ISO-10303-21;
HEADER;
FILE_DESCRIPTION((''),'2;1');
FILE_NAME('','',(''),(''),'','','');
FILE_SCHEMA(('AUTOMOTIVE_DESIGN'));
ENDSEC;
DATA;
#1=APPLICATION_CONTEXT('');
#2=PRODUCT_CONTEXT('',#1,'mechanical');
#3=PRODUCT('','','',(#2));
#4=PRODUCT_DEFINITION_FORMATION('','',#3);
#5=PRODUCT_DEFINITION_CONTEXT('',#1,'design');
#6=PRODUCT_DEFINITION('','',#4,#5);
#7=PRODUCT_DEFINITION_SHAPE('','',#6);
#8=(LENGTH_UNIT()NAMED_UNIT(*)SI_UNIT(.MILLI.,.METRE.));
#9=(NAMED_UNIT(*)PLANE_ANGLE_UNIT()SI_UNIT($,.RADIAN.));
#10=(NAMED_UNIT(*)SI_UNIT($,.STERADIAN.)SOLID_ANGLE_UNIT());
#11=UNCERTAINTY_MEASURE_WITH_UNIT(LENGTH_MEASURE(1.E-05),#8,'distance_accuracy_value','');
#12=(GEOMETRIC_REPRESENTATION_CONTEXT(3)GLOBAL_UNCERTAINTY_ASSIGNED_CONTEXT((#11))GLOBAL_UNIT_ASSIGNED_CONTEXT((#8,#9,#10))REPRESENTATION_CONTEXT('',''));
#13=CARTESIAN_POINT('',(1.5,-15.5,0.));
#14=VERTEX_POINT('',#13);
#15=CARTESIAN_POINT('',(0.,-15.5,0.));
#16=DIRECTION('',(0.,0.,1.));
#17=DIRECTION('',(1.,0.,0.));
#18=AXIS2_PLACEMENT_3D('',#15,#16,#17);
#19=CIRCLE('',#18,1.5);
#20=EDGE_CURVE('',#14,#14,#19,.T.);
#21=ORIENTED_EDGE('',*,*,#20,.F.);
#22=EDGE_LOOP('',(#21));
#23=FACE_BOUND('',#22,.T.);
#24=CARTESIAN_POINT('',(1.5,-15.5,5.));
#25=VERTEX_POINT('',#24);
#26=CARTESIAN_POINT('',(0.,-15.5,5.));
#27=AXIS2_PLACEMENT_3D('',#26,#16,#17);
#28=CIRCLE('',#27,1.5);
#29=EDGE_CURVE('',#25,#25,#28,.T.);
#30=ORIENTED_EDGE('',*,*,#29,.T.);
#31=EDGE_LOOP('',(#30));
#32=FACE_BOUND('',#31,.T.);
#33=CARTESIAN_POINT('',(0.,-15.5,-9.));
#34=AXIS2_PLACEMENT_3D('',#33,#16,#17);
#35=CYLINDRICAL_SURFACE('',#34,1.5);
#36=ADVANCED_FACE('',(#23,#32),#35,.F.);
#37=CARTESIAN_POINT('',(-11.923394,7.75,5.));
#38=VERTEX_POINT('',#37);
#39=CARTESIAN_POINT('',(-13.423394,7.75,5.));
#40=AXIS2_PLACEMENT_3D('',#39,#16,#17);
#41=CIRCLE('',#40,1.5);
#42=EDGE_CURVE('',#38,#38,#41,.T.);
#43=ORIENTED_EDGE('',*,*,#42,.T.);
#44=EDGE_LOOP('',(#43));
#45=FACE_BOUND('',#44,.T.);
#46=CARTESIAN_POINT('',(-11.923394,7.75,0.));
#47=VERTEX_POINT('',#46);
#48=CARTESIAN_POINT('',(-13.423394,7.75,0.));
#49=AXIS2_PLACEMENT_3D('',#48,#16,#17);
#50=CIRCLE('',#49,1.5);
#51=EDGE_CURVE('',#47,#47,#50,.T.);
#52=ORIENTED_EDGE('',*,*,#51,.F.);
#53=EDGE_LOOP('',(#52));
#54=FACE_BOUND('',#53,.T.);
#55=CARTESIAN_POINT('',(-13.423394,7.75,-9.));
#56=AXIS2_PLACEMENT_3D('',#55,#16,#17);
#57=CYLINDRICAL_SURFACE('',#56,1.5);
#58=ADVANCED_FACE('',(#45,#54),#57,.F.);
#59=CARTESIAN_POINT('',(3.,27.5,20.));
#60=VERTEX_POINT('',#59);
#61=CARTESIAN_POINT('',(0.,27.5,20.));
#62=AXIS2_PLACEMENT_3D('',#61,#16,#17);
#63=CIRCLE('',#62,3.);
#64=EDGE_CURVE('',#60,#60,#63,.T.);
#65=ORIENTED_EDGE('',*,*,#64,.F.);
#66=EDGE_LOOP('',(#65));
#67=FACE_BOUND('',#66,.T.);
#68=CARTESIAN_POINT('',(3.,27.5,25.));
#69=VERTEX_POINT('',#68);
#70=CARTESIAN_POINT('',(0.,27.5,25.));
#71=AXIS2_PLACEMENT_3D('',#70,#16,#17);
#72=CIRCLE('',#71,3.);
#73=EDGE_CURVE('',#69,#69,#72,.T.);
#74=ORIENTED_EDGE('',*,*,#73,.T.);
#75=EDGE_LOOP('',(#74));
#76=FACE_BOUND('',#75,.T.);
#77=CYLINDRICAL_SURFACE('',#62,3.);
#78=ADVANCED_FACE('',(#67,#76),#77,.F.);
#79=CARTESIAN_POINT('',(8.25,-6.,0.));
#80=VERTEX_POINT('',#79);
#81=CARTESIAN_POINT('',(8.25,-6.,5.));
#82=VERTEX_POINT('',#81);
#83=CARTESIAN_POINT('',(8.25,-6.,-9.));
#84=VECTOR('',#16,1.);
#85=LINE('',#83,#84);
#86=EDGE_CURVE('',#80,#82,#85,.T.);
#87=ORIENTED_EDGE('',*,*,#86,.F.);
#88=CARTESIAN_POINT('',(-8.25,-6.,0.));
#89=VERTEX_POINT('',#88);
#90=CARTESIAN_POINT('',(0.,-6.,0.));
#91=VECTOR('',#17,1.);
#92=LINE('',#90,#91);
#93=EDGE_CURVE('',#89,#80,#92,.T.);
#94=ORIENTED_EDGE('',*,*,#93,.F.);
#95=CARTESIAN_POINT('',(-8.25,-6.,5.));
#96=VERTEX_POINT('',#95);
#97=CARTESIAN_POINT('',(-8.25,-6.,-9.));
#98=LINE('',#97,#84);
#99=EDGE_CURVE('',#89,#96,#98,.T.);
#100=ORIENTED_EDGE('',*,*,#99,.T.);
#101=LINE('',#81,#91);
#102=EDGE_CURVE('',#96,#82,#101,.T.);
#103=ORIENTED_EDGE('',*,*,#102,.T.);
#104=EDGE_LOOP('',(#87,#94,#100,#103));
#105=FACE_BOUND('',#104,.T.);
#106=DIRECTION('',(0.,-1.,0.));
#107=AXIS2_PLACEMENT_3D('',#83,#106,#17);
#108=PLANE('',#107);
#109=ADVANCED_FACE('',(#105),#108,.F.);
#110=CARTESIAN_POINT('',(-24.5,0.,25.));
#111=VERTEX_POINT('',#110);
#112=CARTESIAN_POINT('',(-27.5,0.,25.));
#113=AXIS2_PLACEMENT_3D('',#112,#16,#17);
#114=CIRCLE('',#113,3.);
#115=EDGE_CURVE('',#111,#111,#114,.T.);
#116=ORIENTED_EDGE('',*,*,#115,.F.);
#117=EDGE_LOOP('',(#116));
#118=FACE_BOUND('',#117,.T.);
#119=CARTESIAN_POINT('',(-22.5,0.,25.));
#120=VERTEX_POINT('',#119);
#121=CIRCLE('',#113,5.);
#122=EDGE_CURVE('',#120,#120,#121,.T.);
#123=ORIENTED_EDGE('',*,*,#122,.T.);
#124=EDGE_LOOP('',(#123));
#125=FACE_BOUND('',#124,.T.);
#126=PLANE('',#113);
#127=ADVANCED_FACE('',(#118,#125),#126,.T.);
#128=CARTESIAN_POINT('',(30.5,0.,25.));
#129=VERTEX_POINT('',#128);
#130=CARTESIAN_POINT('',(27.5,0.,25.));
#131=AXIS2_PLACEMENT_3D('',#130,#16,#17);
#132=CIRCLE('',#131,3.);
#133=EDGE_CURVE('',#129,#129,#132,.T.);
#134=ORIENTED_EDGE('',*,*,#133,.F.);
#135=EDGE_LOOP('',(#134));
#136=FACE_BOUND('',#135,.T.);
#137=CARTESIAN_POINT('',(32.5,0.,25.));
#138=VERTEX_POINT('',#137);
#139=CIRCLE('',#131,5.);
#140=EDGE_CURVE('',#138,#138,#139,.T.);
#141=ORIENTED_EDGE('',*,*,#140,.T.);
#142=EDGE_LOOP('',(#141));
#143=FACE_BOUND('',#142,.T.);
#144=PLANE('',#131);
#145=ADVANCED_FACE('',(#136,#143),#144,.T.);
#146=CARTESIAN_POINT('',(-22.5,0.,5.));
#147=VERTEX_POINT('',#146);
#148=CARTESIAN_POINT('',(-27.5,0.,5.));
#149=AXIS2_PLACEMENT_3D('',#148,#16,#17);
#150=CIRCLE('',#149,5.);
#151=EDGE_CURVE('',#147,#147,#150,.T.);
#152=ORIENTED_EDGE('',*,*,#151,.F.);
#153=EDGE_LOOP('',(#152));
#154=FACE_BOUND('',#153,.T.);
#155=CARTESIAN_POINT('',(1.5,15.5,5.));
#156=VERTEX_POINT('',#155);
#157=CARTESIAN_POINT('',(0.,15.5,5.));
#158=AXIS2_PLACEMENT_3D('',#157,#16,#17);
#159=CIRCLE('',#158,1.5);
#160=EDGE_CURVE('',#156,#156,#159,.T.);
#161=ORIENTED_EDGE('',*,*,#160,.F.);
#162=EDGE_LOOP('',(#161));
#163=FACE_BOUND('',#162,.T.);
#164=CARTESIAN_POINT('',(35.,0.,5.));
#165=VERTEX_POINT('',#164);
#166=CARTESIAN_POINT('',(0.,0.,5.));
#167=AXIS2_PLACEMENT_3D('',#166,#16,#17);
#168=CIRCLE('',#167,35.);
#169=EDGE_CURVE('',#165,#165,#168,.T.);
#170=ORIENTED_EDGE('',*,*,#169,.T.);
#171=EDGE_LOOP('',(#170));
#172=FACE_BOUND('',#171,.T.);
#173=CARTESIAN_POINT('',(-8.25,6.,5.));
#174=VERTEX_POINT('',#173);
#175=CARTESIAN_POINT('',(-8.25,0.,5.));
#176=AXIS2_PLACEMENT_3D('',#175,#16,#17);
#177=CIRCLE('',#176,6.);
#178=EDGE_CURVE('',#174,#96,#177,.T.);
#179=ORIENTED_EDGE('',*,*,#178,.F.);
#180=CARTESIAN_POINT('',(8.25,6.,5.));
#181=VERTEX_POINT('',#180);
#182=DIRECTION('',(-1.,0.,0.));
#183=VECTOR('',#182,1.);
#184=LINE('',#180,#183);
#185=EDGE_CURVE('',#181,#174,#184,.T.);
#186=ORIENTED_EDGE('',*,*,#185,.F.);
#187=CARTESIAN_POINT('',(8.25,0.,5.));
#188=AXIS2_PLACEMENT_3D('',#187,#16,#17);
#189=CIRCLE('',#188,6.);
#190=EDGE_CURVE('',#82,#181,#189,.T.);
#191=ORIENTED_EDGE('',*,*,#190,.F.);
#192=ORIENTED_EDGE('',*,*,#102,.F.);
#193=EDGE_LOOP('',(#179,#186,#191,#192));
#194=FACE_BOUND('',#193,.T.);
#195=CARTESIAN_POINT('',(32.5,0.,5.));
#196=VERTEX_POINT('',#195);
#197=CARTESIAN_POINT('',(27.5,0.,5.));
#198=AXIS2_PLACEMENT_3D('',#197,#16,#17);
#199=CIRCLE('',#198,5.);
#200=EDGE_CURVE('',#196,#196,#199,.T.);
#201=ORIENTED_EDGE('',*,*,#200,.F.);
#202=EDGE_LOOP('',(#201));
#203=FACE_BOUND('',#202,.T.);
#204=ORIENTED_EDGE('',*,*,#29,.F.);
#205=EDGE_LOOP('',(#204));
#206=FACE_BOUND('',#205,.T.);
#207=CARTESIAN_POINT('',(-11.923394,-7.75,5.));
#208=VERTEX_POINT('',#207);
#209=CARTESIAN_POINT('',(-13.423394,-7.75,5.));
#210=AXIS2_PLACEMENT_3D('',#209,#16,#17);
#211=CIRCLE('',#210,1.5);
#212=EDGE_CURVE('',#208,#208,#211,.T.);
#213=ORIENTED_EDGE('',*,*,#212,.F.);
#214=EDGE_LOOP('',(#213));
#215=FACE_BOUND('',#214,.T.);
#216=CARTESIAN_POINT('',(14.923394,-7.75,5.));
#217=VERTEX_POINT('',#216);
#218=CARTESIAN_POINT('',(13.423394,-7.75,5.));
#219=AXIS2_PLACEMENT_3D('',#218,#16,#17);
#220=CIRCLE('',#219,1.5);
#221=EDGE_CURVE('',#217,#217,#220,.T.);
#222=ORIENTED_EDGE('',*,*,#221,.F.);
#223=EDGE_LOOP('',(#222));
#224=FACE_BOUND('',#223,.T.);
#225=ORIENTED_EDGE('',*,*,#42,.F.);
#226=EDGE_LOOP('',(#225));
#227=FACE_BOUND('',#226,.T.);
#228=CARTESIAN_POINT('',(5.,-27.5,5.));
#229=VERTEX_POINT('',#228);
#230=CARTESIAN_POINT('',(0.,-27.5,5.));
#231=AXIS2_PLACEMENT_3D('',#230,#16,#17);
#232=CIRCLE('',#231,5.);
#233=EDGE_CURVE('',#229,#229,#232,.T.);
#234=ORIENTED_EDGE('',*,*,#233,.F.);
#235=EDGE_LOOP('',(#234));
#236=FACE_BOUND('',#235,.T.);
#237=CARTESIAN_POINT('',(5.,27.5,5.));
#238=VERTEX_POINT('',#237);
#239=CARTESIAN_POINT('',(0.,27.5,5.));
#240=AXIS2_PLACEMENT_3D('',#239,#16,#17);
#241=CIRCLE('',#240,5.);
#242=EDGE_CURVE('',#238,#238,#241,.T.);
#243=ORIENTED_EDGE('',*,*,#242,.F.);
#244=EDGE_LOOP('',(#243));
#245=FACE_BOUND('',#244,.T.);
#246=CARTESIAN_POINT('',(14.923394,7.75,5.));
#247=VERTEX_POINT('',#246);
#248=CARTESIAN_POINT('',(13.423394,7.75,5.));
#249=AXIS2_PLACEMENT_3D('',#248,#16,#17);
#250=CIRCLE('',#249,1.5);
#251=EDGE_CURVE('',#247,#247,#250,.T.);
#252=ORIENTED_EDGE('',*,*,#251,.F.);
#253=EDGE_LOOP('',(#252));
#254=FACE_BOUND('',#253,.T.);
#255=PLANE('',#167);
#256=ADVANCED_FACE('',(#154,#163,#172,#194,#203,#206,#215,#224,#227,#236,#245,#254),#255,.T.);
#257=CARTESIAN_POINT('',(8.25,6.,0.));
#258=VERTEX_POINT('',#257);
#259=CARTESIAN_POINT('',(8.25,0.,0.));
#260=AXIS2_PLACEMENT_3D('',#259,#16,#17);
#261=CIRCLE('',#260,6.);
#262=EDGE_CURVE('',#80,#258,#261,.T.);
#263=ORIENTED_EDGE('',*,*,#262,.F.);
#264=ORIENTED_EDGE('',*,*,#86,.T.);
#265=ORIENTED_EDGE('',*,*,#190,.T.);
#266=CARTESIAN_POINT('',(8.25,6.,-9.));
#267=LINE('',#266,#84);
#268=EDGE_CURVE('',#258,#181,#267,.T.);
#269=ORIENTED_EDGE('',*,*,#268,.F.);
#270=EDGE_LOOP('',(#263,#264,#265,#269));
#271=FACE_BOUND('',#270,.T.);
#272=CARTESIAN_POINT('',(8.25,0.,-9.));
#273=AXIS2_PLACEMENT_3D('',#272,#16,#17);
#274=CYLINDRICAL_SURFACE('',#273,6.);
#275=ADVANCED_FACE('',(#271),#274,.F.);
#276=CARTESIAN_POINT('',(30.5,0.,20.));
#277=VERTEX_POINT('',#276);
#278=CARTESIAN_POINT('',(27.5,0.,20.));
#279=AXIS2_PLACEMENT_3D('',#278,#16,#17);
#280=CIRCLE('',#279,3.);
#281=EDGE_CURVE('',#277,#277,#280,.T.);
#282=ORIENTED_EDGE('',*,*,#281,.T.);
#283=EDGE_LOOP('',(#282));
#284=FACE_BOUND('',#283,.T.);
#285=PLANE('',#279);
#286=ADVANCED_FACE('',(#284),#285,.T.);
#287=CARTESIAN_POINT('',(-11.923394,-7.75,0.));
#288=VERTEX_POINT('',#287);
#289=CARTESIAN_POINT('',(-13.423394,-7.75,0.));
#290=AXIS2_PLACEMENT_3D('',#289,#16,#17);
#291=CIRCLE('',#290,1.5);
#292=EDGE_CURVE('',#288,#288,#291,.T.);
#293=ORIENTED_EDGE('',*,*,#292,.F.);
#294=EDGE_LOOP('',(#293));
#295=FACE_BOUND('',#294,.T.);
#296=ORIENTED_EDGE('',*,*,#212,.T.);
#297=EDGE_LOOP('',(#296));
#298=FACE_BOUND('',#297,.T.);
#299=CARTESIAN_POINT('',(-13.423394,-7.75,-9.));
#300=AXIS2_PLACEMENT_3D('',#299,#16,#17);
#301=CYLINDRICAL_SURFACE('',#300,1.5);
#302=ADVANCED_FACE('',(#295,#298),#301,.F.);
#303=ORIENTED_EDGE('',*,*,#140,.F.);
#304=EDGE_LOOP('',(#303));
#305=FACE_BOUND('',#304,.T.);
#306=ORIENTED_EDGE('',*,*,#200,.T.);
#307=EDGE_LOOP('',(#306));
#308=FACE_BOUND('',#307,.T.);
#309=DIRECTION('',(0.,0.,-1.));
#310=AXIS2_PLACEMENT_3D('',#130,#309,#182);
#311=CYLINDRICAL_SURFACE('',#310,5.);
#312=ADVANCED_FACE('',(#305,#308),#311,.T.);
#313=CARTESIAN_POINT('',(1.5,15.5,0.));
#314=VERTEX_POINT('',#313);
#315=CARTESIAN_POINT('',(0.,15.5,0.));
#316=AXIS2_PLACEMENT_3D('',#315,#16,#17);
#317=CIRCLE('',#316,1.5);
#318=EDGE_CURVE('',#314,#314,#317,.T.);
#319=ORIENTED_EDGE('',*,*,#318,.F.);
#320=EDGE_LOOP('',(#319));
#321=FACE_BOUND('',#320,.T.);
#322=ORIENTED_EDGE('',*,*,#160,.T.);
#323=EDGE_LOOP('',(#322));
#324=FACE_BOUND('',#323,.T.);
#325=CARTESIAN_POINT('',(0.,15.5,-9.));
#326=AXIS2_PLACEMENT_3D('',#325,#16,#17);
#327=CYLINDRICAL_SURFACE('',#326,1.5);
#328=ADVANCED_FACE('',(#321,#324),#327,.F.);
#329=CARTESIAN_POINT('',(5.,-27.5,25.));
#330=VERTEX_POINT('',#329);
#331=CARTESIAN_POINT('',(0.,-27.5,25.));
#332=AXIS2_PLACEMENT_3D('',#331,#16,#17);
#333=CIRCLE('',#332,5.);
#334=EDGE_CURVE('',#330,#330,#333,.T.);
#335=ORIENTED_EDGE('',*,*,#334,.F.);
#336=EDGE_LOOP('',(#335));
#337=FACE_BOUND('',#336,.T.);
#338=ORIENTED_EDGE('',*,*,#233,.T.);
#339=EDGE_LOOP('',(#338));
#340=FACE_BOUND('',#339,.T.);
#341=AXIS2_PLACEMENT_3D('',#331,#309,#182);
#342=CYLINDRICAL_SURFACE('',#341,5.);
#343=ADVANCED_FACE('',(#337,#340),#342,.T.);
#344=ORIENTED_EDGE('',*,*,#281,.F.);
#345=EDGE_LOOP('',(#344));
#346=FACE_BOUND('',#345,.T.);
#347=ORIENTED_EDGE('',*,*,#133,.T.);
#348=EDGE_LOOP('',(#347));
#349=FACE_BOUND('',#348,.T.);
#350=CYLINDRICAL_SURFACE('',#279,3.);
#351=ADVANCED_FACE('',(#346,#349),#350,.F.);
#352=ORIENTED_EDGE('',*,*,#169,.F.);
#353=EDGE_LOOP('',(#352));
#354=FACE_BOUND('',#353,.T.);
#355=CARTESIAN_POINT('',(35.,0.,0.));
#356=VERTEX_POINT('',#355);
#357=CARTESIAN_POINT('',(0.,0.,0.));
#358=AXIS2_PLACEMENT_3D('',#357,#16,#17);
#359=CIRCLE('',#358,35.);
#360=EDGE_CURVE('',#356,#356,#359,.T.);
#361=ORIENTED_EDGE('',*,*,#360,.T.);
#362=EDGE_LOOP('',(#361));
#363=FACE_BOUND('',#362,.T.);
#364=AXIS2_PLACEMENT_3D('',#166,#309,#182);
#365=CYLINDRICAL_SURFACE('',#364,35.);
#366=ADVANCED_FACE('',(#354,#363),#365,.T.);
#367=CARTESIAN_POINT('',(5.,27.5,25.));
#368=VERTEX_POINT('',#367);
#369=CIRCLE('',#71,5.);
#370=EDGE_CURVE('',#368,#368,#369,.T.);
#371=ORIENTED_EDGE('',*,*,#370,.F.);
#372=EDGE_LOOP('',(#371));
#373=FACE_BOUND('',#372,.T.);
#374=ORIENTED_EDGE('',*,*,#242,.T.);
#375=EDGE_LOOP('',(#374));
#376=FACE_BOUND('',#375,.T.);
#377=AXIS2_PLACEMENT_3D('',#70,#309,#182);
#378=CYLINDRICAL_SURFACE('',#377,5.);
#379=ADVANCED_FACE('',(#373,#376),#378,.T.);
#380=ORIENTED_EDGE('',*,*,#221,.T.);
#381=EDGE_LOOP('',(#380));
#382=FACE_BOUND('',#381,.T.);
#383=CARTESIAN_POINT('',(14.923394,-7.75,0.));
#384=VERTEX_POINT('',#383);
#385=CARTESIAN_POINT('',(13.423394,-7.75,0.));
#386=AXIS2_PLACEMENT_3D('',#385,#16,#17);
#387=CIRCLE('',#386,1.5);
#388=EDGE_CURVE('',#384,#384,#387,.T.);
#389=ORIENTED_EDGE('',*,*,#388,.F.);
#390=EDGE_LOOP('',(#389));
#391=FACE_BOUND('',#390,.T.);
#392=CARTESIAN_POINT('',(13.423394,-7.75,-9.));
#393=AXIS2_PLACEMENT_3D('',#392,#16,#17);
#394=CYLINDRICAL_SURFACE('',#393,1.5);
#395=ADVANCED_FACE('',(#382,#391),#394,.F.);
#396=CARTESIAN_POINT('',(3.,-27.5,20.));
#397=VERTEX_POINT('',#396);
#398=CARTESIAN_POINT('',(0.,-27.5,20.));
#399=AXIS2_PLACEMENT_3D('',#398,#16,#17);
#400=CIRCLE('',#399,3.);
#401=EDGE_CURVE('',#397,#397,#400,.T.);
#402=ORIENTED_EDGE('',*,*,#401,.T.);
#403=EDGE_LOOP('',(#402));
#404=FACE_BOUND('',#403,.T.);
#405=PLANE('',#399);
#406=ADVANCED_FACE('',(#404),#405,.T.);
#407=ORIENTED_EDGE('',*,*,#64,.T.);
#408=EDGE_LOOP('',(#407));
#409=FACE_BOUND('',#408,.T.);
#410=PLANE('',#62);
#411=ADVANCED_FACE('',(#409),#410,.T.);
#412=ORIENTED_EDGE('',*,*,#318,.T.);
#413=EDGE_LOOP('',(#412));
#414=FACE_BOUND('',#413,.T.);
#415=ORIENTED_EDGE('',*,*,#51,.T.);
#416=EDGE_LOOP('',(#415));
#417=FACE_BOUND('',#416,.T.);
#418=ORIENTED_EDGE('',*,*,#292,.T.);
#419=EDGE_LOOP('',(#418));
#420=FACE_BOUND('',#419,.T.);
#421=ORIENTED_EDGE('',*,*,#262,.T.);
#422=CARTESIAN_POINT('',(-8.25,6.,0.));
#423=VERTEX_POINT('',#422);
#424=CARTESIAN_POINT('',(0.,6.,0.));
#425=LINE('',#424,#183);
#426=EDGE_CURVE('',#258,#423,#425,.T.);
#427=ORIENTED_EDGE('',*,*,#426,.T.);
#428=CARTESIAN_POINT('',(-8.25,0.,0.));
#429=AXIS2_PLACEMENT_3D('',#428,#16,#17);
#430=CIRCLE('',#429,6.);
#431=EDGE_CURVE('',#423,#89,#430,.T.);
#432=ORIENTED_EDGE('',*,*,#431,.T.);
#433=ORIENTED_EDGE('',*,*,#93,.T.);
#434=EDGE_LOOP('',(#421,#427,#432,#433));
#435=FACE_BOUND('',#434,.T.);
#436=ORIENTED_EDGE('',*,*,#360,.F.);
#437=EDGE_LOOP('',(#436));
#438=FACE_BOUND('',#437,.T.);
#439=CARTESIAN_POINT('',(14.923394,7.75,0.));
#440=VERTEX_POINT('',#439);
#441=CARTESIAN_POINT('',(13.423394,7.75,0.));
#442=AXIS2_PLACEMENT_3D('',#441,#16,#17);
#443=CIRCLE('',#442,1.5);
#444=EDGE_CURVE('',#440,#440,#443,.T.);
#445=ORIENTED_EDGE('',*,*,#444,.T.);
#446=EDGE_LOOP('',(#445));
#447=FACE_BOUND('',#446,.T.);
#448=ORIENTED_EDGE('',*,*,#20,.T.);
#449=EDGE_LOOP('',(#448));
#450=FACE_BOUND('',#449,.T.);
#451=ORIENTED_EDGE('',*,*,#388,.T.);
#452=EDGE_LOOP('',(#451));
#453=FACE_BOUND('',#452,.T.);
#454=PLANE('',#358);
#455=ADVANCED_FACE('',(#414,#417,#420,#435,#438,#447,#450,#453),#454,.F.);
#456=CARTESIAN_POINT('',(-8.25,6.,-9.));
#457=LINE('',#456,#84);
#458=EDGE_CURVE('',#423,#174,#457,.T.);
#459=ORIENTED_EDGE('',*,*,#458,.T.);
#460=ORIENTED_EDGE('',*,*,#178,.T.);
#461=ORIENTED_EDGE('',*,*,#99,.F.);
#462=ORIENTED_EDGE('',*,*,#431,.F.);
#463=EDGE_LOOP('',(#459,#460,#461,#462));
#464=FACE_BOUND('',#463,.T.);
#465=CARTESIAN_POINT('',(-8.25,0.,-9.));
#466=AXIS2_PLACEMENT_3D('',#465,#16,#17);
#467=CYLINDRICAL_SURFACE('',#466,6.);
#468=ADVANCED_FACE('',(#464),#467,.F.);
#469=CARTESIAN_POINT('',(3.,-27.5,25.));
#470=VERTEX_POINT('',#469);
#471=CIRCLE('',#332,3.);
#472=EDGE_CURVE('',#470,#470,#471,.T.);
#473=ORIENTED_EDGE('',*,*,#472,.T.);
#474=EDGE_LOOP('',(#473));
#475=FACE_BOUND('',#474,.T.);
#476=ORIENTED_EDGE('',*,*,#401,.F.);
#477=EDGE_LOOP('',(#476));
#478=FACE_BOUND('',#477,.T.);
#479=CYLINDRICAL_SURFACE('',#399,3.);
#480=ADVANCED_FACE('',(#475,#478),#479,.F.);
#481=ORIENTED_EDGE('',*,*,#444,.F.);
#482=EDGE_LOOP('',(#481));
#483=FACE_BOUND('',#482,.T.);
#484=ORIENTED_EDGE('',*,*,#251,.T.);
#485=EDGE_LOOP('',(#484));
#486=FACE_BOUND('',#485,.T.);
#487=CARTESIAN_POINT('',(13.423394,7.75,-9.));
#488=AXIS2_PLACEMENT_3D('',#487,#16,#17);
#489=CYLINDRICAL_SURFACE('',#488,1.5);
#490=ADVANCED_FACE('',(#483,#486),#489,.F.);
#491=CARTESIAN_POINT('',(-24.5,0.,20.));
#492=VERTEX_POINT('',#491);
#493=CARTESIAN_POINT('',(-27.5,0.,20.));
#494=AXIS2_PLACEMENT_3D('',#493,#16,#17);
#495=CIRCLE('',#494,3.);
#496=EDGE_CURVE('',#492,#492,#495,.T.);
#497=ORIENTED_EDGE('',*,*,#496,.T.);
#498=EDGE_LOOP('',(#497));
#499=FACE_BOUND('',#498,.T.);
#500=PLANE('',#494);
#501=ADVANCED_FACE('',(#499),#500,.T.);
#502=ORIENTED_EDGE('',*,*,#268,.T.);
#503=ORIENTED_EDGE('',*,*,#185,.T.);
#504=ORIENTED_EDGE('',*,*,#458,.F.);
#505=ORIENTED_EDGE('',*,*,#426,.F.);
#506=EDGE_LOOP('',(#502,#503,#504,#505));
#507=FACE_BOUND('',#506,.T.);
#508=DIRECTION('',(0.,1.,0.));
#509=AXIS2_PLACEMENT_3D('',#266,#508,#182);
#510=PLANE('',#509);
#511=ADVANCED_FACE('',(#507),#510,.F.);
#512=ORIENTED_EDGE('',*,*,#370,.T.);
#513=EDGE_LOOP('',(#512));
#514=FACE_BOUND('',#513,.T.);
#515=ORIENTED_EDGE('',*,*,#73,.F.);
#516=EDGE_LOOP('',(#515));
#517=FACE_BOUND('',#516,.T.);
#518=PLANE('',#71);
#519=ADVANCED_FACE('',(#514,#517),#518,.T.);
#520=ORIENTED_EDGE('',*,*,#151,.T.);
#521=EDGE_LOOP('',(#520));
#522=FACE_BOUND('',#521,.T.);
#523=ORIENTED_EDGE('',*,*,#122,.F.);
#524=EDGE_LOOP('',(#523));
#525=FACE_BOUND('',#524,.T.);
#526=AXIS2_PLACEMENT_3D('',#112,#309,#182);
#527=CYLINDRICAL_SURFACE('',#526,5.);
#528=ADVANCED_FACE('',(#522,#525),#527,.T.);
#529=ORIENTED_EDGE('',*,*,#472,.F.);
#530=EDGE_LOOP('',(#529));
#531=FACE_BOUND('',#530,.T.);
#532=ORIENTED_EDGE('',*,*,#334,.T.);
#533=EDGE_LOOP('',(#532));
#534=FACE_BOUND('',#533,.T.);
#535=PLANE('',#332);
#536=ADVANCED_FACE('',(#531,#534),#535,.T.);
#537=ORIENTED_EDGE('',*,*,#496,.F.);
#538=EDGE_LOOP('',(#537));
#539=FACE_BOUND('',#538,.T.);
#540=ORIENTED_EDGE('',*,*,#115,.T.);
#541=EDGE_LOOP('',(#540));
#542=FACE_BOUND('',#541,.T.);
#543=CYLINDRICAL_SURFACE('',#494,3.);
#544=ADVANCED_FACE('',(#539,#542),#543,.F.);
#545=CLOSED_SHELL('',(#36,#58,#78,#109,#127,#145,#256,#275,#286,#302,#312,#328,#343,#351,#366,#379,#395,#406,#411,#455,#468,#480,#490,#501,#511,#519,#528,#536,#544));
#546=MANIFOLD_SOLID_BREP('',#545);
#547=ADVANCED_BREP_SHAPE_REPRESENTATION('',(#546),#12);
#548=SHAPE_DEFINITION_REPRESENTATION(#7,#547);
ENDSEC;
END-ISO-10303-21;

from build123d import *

# Parameters (mm, degrees)
ESBO_O1_R                = 35
RESSALTO_EXTRUS_O1_DEPTH = 5
ESBO_O2_R                = 5
RESSALTO_EXTRUS_O2_DEPTH = 20
ESBO_O3_R                = 3
CORTE_EXTRUS_O1_DEPTH    = 5
CORTE_EXTRUS_O2_DEPTH    = 14
ESBO_O5_R                = 1.5
CORTE_EXTRUS_O3_DEPTH    = 14


with BuildPart() as part:
    # Esboço1 → Ressalto-extrusão1 (new body)
    with BuildSketch(Plane.XY):
        Circle(ESBO_O1_R)
    extrude(amount=RESSALTO_EXTRUS_O1_DEPTH)

    # Esboço2 → Ressalto-extrusão2 (add)
    with BuildSketch(Plane.XY.offset(5)):
        with Locations((27.5, 0)):
            Circle(ESBO_O2_R)
        with Locations((0, -27.5)):
            Circle(ESBO_O2_R)
        with Locations((0, 27.5)):
            Circle(ESBO_O2_R)
        with Locations((-27.5, 0)):
            Circle(ESBO_O2_R)
    extrude(amount=RESSALTO_EXTRUS_O2_DEPTH)

    # Esboço3 → Corte-extrusão1 (cut)
    with BuildSketch(Plane.XY.offset(25)):
        with Locations((0, 27.5)):
            Circle(ESBO_O3_R)
        with Locations((27.5, 0)):
            Circle(ESBO_O3_R)
        with Locations((0, -27.5)):
            Circle(ESBO_O3_R)
        with Locations((-27.5, 0)):
            Circle(ESBO_O3_R)
    extrude(amount=-CORTE_EXTRUS_O1_DEPTH, mode=Mode.SUBTRACT)

    # Esboço4 → Corte-extrusão2 (cut)
    with BuildSketch(Plane.XY.offset(5)):
        with BuildLine():
            Line((8.25, 6), (-8.25, 6))
            ThreePointArc((-8.25, 6), (-14.25, 0), (-8.25, -6))
            Line((-8.25, -6), (8.25, -6))
            ThreePointArc((8.25, -6), (14.25, 0), (8.25, 6))
        make_face()
    extrude(amount=-CORTE_EXTRUS_O2_DEPTH, mode=Mode.SUBTRACT)

    # Esboço5 → Corte-extrusão3 (cut)
    with BuildSketch(Plane.XY.offset(5)):
        with Locations((13.423393759, 7.75)):
            Circle(ESBO_O5_R)
        with Locations((13.423393759, -7.75)):
            Circle(ESBO_O5_R)
        with Locations((0, -15.5)):
            Circle(ESBO_O5_R)
        with Locations((-13.423393759, -7.75)):
            Circle(ESBO_O5_R)
        with Locations((-13.423393759, 7.75)):
            Circle(ESBO_O5_R)
        with Locations((0, 15.5)):
            Circle(ESBO_O5_R)
    extrude(amount=-CORTE_EXTRUS_O3_DEPTH, mode=Mode.SUBTRACT)


solid = part.part
